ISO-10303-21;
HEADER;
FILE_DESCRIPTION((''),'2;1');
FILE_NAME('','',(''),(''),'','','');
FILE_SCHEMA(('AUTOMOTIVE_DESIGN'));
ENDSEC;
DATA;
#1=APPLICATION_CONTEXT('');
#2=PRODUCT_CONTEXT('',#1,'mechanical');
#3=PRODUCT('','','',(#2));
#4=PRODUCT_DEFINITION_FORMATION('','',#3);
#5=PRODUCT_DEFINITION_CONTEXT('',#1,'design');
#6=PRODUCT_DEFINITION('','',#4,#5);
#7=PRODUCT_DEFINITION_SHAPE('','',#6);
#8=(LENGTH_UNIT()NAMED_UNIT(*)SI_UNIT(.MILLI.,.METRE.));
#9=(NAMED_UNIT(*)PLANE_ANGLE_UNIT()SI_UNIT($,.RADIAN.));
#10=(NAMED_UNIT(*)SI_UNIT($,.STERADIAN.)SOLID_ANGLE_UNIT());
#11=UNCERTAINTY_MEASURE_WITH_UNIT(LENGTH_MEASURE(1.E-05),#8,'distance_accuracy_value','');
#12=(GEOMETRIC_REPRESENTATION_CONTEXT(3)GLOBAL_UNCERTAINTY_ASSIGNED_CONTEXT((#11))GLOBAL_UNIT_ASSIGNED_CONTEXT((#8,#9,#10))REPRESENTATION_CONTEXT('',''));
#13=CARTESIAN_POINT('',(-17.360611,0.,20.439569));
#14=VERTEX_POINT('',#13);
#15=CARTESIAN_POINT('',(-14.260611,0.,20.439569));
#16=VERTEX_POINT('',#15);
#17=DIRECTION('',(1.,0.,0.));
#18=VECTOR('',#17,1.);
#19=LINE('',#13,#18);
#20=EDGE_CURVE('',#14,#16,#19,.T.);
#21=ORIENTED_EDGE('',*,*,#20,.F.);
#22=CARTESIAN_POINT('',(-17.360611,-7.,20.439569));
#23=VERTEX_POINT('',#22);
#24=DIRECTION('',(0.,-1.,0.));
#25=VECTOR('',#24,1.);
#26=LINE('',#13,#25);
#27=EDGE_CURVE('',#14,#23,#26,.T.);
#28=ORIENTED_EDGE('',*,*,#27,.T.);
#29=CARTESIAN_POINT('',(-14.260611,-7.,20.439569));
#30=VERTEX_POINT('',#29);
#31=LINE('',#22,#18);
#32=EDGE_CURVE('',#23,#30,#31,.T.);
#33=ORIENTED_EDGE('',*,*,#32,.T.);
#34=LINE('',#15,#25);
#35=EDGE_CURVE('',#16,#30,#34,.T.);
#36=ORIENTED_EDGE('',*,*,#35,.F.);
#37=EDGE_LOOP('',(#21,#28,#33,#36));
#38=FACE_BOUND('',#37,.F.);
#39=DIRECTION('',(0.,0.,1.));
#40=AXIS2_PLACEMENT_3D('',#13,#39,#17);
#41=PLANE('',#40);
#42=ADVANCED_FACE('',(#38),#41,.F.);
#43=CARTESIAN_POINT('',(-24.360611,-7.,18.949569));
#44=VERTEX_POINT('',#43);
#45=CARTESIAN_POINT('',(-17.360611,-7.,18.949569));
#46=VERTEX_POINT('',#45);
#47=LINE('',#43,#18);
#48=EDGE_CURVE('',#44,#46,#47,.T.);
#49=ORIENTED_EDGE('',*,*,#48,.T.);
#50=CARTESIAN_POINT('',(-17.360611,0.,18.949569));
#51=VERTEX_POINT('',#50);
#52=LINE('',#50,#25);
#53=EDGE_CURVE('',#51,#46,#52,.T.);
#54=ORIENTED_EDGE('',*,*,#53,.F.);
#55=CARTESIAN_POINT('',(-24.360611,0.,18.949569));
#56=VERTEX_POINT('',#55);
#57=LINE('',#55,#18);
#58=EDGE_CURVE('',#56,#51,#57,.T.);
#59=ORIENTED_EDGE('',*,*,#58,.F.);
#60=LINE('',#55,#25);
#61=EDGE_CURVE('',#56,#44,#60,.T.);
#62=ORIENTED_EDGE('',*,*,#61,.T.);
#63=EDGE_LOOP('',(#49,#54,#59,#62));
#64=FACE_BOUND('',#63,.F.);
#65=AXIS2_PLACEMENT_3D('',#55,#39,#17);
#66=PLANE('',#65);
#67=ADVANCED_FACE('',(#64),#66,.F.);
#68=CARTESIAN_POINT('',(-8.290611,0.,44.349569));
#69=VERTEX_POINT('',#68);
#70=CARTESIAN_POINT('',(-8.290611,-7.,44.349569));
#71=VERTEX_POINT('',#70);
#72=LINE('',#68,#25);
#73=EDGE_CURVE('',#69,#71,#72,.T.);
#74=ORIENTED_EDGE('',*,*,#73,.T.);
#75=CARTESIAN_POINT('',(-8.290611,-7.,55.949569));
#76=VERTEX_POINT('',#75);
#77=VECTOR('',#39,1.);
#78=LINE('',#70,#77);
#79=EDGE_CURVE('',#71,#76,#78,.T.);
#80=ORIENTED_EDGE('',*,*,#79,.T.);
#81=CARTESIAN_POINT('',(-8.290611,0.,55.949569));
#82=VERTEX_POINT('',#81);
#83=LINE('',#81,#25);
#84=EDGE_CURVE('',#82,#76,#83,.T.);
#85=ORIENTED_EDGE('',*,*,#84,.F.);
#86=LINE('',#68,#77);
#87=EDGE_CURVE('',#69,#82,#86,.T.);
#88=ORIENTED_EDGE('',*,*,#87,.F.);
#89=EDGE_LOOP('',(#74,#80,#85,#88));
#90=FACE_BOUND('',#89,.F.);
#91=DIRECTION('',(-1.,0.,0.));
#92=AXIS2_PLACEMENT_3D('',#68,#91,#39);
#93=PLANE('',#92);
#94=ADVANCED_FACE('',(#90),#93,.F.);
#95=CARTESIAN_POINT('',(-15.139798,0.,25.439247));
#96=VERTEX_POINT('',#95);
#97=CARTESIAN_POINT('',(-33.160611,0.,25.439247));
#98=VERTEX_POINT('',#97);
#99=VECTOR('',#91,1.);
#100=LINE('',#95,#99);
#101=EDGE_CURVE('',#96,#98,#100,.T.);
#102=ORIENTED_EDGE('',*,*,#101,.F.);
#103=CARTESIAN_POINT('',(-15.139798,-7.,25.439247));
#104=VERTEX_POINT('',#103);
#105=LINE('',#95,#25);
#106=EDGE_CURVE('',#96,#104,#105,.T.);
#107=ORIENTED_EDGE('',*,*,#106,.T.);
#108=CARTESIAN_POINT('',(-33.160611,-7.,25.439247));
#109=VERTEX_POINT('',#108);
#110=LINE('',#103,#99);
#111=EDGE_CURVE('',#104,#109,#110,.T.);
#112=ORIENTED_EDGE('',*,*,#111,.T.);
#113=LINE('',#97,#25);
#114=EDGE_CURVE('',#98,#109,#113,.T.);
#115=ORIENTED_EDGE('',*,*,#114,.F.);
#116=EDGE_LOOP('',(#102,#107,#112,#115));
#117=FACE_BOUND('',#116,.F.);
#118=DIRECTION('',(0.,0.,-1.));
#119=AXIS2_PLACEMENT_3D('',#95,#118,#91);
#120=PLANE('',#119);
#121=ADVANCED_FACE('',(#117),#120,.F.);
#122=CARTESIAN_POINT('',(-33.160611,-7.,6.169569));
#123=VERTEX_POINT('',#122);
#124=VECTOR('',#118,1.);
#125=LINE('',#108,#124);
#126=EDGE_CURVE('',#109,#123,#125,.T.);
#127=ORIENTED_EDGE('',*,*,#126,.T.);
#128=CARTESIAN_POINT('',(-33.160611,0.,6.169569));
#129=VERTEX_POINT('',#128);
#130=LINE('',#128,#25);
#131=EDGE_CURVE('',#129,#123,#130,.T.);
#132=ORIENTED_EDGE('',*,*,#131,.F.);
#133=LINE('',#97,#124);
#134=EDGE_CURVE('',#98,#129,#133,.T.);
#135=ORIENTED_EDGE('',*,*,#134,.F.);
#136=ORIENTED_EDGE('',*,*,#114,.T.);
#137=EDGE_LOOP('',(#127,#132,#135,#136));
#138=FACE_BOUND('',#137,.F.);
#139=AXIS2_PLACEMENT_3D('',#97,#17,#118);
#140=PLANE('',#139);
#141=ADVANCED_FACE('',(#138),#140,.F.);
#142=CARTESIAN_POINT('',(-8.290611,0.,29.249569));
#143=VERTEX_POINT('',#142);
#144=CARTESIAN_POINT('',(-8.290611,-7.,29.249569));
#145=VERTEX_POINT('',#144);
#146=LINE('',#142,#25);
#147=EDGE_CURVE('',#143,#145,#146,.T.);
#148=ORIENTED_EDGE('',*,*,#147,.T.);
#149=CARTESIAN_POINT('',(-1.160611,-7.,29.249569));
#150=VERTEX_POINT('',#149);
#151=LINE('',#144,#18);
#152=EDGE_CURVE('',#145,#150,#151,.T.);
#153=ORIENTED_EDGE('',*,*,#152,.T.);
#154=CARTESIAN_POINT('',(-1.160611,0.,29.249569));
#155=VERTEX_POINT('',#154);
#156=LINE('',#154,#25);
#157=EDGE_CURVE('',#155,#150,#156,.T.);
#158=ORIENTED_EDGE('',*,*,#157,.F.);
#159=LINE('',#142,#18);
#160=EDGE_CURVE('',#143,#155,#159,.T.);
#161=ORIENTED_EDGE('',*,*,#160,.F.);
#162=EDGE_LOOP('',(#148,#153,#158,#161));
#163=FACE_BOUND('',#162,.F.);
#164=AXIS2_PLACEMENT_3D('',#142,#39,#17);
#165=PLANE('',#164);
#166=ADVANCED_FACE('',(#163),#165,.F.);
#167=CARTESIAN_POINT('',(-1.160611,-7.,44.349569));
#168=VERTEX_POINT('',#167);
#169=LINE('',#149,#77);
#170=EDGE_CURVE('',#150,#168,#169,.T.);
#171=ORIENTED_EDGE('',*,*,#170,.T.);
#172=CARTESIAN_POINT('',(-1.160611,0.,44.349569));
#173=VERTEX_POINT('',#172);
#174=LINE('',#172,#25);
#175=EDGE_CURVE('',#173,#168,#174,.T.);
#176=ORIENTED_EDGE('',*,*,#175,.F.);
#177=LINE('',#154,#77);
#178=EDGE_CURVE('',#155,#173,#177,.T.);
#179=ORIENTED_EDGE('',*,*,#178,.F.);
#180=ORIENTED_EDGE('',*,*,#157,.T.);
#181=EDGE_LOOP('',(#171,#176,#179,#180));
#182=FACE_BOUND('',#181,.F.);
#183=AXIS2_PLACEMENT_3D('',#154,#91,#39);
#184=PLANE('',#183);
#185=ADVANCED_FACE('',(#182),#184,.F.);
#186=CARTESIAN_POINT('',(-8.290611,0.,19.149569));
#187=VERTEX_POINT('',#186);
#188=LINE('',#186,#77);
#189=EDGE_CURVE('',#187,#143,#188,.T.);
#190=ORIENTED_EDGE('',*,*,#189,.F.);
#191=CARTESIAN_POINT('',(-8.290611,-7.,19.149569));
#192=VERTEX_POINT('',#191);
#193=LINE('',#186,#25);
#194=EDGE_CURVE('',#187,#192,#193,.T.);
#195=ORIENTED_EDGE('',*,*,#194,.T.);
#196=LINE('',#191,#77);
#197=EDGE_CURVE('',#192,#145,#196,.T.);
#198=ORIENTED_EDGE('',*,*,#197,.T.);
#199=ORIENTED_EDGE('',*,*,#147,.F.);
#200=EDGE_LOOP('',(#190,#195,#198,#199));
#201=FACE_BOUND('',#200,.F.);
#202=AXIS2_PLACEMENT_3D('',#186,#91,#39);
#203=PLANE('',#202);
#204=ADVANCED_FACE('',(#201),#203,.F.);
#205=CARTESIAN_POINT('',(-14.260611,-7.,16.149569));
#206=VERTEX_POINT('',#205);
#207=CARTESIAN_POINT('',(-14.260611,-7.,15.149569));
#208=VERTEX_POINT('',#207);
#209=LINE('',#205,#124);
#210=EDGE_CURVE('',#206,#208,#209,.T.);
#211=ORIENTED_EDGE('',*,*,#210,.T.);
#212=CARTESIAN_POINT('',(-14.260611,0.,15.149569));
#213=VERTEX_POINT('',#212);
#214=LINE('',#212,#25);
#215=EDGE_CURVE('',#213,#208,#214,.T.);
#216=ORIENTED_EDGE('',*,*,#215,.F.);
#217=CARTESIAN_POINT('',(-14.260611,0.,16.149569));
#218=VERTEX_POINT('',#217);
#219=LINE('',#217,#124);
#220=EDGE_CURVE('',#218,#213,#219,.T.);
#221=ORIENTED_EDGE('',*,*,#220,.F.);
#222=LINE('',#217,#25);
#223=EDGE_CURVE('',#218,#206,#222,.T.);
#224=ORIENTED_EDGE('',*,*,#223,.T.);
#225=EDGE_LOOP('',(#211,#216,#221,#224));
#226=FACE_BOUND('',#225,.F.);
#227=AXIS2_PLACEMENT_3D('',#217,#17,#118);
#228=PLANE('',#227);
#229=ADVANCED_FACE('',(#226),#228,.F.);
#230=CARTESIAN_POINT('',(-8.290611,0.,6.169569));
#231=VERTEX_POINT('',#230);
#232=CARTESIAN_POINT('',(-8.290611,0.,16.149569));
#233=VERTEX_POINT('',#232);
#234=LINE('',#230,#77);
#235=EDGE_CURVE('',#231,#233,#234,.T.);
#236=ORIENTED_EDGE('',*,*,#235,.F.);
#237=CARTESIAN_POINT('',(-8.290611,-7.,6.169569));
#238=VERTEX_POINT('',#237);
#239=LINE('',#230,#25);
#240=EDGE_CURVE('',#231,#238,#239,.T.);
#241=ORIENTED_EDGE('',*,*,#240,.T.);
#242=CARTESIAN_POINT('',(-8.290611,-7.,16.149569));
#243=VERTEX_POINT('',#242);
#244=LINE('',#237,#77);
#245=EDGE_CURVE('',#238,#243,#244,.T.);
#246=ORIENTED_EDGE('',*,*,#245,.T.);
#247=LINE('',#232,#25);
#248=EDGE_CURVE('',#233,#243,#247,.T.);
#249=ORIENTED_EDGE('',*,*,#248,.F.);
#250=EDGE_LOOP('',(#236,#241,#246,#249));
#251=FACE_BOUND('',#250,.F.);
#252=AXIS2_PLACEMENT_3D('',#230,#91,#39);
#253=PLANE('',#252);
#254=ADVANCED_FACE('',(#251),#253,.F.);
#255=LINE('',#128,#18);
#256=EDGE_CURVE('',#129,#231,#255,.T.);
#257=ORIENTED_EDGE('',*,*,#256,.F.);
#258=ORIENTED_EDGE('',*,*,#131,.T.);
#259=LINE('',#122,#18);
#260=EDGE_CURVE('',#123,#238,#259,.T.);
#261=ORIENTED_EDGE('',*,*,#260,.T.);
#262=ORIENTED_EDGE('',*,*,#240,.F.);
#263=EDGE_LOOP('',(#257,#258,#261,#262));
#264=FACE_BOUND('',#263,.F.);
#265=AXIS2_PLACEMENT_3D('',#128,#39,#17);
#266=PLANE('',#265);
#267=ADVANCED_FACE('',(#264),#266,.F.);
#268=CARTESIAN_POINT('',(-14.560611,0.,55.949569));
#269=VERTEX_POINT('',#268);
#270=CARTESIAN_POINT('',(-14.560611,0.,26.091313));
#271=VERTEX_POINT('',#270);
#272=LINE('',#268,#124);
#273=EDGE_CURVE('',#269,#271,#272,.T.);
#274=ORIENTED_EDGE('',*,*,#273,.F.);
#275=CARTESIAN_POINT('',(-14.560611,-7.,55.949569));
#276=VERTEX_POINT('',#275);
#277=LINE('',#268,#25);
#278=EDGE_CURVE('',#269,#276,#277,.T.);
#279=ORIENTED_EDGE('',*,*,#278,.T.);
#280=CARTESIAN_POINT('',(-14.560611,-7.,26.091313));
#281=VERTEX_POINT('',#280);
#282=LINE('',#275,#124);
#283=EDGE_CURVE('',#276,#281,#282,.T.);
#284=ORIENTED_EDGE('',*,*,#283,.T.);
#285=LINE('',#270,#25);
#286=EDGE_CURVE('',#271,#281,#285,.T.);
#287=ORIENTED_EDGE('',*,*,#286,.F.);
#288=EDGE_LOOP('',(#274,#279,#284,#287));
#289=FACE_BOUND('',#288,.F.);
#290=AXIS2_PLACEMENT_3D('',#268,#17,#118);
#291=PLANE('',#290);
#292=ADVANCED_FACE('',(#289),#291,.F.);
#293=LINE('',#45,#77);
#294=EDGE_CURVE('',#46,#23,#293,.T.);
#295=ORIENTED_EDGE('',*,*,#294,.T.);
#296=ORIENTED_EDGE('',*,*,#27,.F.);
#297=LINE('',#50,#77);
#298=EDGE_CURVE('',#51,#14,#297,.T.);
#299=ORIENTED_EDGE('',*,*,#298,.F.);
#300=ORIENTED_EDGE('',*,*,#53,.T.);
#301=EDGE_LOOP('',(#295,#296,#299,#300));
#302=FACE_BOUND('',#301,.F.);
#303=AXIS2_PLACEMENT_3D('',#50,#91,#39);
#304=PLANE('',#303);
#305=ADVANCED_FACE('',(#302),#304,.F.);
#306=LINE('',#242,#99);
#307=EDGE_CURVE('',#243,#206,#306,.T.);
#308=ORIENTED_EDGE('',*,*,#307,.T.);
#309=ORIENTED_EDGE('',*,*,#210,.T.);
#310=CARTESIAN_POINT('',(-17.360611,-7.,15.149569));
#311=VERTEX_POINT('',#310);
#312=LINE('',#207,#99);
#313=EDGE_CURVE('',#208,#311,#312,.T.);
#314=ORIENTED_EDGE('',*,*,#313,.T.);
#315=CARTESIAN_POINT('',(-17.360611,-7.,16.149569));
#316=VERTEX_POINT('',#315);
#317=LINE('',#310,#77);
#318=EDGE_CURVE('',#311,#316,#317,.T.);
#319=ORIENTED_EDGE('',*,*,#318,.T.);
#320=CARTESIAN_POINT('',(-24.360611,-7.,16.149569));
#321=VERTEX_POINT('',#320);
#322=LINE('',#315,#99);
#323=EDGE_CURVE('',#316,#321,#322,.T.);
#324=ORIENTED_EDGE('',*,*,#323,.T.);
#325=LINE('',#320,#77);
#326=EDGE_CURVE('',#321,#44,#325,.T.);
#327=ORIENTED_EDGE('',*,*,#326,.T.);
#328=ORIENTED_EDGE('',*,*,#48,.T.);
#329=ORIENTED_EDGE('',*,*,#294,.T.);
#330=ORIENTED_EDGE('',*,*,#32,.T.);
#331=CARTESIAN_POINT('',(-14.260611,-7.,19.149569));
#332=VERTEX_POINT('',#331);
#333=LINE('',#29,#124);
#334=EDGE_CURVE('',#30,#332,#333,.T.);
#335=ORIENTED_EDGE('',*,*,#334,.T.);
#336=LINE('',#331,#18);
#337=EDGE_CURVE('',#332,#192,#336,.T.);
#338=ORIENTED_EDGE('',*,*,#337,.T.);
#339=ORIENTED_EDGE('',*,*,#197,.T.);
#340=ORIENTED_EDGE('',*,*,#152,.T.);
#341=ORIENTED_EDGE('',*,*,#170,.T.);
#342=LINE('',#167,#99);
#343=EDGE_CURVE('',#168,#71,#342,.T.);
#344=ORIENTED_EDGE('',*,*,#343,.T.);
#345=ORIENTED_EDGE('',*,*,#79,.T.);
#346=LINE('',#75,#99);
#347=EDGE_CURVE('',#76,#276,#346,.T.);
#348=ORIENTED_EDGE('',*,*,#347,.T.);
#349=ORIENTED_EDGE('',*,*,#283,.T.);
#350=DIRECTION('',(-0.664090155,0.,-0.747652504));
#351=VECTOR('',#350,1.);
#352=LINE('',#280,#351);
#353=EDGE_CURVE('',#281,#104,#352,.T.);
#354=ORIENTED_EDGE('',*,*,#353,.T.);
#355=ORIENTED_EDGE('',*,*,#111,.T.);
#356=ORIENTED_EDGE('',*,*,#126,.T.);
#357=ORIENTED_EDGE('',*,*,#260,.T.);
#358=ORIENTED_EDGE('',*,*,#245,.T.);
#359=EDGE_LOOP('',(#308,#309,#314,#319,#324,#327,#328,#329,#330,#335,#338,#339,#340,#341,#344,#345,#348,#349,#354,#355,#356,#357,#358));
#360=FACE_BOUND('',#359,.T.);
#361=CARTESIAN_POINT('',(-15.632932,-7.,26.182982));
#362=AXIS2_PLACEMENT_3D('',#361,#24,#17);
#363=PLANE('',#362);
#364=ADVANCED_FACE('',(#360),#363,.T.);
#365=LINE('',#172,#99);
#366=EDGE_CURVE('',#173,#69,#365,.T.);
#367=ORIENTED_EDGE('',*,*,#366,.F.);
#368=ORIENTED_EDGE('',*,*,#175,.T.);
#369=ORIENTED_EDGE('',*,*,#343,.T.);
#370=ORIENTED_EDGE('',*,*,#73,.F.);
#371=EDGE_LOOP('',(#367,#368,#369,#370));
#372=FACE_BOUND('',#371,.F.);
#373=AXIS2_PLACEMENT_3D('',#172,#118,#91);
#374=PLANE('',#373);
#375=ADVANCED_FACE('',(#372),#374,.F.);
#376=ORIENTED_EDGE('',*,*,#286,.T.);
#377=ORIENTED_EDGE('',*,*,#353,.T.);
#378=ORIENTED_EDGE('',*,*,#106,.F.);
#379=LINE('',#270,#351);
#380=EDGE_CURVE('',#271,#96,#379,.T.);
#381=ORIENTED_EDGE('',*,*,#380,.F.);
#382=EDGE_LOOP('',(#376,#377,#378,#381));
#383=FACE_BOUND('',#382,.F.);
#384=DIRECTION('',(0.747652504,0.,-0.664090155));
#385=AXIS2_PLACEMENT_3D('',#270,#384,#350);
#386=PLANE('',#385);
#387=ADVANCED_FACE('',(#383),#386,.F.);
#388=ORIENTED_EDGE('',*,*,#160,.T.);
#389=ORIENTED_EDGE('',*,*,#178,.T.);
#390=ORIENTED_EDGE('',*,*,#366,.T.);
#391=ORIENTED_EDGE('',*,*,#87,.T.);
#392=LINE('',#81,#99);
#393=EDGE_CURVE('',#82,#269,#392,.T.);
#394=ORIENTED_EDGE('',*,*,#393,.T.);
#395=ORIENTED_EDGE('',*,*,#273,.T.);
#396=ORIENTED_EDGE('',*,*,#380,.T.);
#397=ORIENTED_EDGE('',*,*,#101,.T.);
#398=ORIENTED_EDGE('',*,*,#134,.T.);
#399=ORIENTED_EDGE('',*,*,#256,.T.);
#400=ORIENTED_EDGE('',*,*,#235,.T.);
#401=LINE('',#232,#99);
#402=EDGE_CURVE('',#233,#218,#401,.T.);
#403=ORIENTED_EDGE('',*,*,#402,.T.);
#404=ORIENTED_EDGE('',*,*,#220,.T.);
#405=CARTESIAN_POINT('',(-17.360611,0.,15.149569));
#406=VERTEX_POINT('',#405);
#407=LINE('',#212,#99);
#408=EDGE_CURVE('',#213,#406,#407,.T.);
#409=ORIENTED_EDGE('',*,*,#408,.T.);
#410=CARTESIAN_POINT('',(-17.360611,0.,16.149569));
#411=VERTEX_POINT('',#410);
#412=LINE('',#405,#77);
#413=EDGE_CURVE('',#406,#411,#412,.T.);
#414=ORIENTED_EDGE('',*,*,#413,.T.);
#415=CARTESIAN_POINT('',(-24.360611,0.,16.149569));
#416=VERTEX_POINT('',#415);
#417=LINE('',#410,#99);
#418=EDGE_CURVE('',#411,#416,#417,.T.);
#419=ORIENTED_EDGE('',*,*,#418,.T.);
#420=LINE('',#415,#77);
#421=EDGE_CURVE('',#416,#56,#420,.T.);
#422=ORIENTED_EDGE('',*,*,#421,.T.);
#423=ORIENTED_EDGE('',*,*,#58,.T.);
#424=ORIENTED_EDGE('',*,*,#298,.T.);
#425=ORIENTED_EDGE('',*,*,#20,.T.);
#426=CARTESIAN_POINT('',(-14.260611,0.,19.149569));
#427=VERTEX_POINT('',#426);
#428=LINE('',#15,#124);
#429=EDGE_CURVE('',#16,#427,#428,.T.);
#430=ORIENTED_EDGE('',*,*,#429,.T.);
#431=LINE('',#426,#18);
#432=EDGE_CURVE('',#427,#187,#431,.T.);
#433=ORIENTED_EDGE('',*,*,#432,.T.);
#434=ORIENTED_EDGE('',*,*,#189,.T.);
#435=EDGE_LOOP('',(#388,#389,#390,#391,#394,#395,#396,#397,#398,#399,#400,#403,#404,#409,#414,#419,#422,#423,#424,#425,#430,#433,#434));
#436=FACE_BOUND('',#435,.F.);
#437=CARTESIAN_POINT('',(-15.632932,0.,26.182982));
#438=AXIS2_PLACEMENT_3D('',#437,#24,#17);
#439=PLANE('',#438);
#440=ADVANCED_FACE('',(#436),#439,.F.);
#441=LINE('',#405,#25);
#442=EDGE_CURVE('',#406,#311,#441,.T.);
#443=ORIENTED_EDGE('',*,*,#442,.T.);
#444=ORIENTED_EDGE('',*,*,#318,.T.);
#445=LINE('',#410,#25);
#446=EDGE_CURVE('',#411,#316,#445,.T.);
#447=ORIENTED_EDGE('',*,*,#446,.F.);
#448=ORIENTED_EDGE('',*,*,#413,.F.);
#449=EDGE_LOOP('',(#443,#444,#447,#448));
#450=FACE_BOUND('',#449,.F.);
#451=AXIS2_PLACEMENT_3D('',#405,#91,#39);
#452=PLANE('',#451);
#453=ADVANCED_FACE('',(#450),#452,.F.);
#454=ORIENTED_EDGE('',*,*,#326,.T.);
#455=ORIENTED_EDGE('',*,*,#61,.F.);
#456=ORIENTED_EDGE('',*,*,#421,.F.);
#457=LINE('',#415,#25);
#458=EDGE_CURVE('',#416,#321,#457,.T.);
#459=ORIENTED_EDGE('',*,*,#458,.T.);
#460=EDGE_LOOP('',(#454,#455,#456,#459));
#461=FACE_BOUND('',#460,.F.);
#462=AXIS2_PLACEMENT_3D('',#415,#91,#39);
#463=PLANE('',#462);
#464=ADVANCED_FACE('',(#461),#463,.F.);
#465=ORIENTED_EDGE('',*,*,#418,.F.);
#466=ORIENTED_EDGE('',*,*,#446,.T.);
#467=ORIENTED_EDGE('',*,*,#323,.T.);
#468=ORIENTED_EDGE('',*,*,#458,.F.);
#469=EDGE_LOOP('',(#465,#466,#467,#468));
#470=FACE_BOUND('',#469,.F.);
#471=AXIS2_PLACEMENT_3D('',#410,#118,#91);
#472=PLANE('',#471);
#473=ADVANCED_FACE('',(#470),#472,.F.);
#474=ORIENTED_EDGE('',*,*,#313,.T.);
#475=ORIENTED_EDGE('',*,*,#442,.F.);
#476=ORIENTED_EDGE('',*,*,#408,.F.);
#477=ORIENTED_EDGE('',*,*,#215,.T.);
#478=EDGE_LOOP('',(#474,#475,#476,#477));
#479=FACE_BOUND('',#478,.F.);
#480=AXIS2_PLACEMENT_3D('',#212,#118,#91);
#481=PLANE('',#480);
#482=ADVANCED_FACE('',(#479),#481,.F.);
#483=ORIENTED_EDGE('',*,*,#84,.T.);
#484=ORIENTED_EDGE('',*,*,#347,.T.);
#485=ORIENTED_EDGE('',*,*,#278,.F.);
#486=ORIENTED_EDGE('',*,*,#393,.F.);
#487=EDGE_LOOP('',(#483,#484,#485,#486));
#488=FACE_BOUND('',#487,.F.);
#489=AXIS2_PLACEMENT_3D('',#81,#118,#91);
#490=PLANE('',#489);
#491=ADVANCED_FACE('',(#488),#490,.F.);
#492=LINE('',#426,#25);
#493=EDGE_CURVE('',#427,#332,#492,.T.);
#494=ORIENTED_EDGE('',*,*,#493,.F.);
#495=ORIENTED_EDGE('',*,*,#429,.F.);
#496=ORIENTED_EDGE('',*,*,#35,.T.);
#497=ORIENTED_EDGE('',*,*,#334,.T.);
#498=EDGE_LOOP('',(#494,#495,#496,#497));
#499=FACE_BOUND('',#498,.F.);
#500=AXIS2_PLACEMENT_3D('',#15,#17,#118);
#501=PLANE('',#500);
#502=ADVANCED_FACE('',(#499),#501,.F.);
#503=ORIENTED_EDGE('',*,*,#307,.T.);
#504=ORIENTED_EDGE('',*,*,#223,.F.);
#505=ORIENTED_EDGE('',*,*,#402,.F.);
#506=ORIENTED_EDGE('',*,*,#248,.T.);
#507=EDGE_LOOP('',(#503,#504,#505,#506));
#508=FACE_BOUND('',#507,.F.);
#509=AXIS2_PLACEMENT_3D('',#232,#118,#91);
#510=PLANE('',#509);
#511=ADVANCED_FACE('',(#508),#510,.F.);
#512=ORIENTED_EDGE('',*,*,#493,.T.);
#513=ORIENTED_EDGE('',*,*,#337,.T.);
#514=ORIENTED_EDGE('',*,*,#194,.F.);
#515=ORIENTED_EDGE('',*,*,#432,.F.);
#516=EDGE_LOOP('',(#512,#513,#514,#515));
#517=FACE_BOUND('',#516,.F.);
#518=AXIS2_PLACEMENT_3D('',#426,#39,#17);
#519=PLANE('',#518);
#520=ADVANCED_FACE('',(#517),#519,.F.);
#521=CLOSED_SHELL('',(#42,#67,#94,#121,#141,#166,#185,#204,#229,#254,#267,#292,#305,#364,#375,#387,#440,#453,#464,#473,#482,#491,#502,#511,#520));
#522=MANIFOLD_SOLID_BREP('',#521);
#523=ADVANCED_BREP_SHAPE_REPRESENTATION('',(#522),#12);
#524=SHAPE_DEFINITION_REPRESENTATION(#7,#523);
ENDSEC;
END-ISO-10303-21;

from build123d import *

# Parameters (mm, degrees)
F1_DEPTH = 7


with BuildPart() as f1:
    # F0 (on Front) → F1 (new body)
    with BuildSketch(Plane.XZ):
        Polygon((-8.290611, 55.949569), (-14.560611, 55.949569), (-14.560611, 26.091313), (-15.139798, 25.439247), (-33.160611, 25.439247), (-33.160611, 6.169569), (-8.290611, 6.169569), (-8.290611, 16.149569), (-14.260611, 16.149569), (-14.260611, 15.149569), (-17.360611, 15.149569), (-17.360611, 16.149569), (-24.360611, 16.149569), (-24.360611, 18.949569), (-17.360611, 18.949569), (-17.360611, 20.439569), (-14.260611, 20.439569), (-14.260611, 19.149569), (-8.290611, 19.149569), (-8.290611, 29.249569), (-1.160611, 29.249569), (-1.160611, 44.349569), (-8.290611, 44.349569), align=None)
    extrude(amount=F1_DEPTH)


solid = f1.part
